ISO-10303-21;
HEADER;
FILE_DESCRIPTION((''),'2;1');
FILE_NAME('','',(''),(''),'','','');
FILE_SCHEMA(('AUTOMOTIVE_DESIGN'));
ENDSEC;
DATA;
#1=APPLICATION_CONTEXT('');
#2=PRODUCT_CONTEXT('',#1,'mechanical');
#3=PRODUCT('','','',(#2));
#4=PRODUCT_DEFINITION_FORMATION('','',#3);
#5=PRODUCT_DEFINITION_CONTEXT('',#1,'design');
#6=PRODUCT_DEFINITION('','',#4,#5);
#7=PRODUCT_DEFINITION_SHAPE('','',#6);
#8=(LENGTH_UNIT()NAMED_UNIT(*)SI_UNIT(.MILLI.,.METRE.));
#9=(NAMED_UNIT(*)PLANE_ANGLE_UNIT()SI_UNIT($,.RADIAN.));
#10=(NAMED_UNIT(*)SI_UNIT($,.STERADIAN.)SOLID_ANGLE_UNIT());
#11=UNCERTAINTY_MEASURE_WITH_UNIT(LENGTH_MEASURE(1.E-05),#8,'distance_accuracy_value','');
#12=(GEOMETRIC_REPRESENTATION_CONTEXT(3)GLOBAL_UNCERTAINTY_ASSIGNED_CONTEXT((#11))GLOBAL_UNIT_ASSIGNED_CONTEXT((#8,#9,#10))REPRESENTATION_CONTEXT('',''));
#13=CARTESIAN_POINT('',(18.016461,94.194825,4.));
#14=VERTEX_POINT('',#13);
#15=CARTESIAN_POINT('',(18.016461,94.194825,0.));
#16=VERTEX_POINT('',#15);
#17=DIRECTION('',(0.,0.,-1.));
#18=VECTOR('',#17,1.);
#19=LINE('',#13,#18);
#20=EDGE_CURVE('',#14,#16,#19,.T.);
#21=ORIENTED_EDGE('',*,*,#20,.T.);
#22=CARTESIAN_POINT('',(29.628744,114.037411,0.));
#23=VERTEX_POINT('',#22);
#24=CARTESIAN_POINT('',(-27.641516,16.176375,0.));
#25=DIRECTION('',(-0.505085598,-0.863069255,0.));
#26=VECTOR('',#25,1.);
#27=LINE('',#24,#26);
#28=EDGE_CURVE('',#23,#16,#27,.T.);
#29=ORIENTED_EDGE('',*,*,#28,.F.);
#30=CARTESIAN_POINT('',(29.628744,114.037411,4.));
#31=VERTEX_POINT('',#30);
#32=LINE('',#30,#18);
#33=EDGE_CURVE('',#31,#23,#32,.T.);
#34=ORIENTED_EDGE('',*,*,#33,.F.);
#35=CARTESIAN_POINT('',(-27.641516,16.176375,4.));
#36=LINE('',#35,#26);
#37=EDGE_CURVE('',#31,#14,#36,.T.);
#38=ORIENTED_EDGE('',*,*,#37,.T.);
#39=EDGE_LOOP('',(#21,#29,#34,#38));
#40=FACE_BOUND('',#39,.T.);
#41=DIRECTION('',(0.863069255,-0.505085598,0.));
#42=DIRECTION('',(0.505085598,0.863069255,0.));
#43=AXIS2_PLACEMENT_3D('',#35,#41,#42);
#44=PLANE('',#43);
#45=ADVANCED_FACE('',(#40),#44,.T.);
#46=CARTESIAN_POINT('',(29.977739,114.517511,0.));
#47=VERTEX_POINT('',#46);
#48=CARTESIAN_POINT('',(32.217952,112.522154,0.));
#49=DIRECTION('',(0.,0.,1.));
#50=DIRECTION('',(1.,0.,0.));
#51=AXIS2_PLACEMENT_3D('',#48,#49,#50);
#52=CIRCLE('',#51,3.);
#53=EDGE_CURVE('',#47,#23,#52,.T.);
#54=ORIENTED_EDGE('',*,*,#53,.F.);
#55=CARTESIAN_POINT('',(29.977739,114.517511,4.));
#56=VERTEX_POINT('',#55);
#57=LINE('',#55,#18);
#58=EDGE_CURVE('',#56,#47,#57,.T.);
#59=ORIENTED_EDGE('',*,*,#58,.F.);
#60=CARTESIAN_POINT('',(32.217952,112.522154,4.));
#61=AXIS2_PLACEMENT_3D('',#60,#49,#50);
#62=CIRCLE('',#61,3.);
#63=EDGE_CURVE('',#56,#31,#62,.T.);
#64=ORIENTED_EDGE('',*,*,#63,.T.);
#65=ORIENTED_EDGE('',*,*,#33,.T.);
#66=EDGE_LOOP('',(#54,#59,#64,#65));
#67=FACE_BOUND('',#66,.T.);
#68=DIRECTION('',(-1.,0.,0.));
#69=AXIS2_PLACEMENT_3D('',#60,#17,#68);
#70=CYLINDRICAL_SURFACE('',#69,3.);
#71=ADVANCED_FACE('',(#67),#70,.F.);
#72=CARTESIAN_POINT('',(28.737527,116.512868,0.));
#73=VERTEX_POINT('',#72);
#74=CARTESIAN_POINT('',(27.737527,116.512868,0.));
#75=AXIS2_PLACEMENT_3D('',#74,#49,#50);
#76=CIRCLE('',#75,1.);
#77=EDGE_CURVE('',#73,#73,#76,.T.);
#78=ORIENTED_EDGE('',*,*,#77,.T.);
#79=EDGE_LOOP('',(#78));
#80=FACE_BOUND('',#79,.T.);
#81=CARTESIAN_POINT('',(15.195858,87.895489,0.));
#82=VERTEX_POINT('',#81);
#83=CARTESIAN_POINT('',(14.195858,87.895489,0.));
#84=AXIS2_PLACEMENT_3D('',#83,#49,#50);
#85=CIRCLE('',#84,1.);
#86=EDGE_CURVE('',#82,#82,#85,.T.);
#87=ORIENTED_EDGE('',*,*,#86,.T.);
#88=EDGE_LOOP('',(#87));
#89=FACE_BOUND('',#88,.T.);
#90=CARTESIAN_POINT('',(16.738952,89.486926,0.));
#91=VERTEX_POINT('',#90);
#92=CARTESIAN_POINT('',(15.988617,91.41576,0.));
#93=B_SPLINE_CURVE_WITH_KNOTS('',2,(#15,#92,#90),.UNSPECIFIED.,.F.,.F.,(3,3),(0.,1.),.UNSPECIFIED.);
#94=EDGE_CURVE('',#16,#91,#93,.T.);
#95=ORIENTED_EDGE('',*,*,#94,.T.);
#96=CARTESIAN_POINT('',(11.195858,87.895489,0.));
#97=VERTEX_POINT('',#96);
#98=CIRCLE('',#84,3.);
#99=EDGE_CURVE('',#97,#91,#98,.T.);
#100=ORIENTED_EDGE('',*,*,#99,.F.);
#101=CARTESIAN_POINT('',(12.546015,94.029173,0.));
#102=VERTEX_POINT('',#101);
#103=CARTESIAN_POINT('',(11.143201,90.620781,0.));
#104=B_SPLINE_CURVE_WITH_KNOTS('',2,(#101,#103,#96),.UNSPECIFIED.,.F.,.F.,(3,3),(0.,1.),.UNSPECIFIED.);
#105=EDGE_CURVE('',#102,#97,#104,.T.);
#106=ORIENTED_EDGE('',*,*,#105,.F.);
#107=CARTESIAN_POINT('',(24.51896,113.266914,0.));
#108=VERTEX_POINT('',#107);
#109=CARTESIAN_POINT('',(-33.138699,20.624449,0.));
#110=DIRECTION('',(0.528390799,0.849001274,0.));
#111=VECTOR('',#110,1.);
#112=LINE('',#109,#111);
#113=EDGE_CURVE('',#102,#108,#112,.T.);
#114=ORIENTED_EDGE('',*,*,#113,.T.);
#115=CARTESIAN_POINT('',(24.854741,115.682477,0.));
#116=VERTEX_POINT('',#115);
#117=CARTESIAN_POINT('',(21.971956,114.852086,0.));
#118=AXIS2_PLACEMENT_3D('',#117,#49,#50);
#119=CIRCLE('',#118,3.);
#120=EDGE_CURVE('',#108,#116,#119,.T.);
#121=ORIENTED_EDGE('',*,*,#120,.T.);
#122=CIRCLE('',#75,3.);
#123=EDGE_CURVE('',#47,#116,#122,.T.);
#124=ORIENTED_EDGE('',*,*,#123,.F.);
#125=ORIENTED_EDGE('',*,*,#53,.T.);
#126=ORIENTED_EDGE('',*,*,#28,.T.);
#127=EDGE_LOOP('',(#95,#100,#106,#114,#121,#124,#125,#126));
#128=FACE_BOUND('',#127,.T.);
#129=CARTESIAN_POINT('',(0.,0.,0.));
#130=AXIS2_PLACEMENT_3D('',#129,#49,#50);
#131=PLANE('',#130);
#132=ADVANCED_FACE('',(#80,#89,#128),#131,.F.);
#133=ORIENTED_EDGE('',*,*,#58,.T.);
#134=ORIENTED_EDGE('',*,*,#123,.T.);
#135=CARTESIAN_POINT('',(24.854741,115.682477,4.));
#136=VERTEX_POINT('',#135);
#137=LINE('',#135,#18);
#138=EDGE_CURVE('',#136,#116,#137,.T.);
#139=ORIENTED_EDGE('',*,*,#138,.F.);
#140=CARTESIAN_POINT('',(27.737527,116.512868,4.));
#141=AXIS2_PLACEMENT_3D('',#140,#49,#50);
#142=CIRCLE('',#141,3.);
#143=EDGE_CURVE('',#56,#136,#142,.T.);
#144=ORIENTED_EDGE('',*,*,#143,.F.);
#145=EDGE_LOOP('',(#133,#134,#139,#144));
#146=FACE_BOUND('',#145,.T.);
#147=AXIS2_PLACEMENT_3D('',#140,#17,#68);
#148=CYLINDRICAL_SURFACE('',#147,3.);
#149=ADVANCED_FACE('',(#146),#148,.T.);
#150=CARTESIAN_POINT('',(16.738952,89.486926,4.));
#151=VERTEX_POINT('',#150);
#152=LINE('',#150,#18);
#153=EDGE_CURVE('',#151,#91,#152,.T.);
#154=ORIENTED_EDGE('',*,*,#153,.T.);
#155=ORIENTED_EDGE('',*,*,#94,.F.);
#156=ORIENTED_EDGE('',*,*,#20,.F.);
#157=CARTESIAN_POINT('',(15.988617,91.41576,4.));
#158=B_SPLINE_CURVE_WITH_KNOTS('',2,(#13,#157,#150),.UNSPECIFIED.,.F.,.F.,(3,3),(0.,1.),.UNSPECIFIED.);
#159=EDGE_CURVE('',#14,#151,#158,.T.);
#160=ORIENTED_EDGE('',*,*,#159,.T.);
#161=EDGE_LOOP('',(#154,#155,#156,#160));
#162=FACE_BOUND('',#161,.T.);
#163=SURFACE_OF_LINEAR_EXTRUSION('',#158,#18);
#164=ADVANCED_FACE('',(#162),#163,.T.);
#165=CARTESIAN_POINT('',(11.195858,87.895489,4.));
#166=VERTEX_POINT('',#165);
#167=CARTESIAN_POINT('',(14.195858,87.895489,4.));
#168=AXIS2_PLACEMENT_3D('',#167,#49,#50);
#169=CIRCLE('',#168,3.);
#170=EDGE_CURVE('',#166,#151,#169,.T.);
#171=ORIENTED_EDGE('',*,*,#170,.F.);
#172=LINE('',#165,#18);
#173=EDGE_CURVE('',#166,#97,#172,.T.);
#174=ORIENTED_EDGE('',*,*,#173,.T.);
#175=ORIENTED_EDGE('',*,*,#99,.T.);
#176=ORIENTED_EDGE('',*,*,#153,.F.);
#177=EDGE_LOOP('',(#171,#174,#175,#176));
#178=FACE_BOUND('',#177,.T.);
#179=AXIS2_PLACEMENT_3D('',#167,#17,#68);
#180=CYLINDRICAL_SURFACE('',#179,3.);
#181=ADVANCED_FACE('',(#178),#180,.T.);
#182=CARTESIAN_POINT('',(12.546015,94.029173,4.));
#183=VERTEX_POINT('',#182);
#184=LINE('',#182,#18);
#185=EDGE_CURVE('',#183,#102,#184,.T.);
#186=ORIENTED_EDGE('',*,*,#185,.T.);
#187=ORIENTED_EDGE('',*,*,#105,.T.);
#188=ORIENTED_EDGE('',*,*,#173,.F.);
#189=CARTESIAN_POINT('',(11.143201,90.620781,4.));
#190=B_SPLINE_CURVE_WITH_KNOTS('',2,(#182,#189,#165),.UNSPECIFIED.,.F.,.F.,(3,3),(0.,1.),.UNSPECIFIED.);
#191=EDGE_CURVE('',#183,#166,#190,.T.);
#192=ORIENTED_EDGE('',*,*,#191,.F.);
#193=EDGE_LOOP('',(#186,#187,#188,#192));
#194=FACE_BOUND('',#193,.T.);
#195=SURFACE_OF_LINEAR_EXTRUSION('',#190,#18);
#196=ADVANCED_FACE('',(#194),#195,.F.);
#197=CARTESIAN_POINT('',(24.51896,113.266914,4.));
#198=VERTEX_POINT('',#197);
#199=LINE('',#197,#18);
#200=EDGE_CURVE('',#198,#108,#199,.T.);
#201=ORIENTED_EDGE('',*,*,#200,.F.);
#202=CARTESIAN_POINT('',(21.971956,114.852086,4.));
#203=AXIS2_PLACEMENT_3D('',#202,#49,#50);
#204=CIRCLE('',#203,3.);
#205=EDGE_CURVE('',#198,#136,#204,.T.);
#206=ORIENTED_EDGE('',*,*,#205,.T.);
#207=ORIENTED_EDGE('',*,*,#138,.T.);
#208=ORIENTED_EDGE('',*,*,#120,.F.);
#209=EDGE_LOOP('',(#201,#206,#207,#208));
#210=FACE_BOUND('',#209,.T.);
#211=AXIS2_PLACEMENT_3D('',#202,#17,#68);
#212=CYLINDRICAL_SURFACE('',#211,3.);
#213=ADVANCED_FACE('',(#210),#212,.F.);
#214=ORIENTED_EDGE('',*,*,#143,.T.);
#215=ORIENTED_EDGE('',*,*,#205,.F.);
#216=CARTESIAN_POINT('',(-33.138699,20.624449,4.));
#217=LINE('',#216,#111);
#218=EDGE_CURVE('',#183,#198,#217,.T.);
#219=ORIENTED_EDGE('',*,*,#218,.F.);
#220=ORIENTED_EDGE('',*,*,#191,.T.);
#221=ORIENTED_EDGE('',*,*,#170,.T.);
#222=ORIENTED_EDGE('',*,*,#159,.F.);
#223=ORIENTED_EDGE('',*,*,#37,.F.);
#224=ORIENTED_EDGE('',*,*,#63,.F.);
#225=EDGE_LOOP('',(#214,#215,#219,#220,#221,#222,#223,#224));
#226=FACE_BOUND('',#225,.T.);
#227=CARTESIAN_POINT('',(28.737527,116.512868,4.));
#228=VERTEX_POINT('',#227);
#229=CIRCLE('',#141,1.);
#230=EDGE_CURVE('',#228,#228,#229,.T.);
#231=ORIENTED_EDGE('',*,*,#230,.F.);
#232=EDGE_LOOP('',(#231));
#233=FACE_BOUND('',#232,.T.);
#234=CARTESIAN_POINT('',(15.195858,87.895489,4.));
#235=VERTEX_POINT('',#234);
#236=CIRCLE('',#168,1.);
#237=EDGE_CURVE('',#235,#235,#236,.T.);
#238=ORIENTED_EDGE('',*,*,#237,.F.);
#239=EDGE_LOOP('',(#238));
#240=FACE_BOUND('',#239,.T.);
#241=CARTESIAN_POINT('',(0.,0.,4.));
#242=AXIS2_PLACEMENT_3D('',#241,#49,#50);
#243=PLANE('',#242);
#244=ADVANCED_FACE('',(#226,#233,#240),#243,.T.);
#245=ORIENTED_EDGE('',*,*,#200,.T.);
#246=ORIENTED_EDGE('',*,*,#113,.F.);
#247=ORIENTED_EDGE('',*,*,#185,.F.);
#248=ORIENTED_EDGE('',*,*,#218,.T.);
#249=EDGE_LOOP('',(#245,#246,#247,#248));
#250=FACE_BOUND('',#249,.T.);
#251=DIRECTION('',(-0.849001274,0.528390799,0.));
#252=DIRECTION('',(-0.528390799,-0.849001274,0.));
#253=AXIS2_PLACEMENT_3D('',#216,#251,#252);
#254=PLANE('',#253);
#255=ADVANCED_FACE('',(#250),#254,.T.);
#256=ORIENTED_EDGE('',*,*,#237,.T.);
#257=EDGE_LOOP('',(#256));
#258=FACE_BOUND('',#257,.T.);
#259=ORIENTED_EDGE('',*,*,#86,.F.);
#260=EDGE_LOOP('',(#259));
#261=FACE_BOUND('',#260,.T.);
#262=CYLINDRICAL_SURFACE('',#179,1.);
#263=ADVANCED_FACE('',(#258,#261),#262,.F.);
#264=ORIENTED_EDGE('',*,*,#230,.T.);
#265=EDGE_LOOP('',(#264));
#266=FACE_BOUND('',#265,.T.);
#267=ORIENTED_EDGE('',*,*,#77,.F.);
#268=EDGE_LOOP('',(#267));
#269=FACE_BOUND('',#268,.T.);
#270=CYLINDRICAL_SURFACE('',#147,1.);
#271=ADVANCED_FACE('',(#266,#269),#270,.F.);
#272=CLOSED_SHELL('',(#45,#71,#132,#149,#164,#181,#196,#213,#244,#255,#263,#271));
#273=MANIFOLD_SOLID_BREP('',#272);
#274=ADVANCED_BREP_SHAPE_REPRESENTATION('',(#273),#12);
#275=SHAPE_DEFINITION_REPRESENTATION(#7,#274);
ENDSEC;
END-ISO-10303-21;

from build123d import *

# Parameters (mm, degrees)
SKETCH6_R           = 1
BOSS_EXTRUDE1_DEPTH = 4


with BuildPart() as part:
    # Sketch6 → Boss-Extrude1 (new body)
    with BuildSketch(Plane.XY):
        with BuildLine():
            Line((24.518959729, 113.266913748), (12.546015233, 94.029173129))
            add(Edge.make_bspline(
                [(12.546015233, 94.029173129), (11.143200975, 90.620780812), (11.195857544, 87.895488842)],
                knots=[0, 0, 0, 1, 1, 1], degree=2))
            ThreePointArc((11.195857544, 87.895488842), (15.023721592, 85.0119769), (16.738951622, 89.486926087))
            add(Edge.make_bspline(
                [(18.016460853, 94.194825281), (15.988617018, 91.415760023), (16.738951622, 89.486926087)],
                knots=[0, 0, 0, 1, 1, 1], degree=2))
            Line((18.016460853, 94.194825281), (29.628743828, 114.037411274))
            ThreePointArc((29.628743828, 114.037411274), (29.791338928, 114.286113373), (29.977739072, 114.517511055))
            ThreePointArc((29.977739072, 114.517511055), (28.402741778, 119.438186194), (24.854741229, 115.682476887))
            ThreePointArc((24.854741229, 115.682476887), (24.943384664, 114.439035131), (24.518959729, 113.266913748))
        make_face()
        with Locations((27.737526551, 116.51286763)):
            Circle(SKETCH6_R, mode=Mode.SUBTRACT)
        with Locations((14.195857544, 87.895488842)):
            Circle(SKETCH6_R, mode=Mode.SUBTRACT)
    extrude(amount=BOSS_EXTRUDE1_DEPTH)


solid = part.part
